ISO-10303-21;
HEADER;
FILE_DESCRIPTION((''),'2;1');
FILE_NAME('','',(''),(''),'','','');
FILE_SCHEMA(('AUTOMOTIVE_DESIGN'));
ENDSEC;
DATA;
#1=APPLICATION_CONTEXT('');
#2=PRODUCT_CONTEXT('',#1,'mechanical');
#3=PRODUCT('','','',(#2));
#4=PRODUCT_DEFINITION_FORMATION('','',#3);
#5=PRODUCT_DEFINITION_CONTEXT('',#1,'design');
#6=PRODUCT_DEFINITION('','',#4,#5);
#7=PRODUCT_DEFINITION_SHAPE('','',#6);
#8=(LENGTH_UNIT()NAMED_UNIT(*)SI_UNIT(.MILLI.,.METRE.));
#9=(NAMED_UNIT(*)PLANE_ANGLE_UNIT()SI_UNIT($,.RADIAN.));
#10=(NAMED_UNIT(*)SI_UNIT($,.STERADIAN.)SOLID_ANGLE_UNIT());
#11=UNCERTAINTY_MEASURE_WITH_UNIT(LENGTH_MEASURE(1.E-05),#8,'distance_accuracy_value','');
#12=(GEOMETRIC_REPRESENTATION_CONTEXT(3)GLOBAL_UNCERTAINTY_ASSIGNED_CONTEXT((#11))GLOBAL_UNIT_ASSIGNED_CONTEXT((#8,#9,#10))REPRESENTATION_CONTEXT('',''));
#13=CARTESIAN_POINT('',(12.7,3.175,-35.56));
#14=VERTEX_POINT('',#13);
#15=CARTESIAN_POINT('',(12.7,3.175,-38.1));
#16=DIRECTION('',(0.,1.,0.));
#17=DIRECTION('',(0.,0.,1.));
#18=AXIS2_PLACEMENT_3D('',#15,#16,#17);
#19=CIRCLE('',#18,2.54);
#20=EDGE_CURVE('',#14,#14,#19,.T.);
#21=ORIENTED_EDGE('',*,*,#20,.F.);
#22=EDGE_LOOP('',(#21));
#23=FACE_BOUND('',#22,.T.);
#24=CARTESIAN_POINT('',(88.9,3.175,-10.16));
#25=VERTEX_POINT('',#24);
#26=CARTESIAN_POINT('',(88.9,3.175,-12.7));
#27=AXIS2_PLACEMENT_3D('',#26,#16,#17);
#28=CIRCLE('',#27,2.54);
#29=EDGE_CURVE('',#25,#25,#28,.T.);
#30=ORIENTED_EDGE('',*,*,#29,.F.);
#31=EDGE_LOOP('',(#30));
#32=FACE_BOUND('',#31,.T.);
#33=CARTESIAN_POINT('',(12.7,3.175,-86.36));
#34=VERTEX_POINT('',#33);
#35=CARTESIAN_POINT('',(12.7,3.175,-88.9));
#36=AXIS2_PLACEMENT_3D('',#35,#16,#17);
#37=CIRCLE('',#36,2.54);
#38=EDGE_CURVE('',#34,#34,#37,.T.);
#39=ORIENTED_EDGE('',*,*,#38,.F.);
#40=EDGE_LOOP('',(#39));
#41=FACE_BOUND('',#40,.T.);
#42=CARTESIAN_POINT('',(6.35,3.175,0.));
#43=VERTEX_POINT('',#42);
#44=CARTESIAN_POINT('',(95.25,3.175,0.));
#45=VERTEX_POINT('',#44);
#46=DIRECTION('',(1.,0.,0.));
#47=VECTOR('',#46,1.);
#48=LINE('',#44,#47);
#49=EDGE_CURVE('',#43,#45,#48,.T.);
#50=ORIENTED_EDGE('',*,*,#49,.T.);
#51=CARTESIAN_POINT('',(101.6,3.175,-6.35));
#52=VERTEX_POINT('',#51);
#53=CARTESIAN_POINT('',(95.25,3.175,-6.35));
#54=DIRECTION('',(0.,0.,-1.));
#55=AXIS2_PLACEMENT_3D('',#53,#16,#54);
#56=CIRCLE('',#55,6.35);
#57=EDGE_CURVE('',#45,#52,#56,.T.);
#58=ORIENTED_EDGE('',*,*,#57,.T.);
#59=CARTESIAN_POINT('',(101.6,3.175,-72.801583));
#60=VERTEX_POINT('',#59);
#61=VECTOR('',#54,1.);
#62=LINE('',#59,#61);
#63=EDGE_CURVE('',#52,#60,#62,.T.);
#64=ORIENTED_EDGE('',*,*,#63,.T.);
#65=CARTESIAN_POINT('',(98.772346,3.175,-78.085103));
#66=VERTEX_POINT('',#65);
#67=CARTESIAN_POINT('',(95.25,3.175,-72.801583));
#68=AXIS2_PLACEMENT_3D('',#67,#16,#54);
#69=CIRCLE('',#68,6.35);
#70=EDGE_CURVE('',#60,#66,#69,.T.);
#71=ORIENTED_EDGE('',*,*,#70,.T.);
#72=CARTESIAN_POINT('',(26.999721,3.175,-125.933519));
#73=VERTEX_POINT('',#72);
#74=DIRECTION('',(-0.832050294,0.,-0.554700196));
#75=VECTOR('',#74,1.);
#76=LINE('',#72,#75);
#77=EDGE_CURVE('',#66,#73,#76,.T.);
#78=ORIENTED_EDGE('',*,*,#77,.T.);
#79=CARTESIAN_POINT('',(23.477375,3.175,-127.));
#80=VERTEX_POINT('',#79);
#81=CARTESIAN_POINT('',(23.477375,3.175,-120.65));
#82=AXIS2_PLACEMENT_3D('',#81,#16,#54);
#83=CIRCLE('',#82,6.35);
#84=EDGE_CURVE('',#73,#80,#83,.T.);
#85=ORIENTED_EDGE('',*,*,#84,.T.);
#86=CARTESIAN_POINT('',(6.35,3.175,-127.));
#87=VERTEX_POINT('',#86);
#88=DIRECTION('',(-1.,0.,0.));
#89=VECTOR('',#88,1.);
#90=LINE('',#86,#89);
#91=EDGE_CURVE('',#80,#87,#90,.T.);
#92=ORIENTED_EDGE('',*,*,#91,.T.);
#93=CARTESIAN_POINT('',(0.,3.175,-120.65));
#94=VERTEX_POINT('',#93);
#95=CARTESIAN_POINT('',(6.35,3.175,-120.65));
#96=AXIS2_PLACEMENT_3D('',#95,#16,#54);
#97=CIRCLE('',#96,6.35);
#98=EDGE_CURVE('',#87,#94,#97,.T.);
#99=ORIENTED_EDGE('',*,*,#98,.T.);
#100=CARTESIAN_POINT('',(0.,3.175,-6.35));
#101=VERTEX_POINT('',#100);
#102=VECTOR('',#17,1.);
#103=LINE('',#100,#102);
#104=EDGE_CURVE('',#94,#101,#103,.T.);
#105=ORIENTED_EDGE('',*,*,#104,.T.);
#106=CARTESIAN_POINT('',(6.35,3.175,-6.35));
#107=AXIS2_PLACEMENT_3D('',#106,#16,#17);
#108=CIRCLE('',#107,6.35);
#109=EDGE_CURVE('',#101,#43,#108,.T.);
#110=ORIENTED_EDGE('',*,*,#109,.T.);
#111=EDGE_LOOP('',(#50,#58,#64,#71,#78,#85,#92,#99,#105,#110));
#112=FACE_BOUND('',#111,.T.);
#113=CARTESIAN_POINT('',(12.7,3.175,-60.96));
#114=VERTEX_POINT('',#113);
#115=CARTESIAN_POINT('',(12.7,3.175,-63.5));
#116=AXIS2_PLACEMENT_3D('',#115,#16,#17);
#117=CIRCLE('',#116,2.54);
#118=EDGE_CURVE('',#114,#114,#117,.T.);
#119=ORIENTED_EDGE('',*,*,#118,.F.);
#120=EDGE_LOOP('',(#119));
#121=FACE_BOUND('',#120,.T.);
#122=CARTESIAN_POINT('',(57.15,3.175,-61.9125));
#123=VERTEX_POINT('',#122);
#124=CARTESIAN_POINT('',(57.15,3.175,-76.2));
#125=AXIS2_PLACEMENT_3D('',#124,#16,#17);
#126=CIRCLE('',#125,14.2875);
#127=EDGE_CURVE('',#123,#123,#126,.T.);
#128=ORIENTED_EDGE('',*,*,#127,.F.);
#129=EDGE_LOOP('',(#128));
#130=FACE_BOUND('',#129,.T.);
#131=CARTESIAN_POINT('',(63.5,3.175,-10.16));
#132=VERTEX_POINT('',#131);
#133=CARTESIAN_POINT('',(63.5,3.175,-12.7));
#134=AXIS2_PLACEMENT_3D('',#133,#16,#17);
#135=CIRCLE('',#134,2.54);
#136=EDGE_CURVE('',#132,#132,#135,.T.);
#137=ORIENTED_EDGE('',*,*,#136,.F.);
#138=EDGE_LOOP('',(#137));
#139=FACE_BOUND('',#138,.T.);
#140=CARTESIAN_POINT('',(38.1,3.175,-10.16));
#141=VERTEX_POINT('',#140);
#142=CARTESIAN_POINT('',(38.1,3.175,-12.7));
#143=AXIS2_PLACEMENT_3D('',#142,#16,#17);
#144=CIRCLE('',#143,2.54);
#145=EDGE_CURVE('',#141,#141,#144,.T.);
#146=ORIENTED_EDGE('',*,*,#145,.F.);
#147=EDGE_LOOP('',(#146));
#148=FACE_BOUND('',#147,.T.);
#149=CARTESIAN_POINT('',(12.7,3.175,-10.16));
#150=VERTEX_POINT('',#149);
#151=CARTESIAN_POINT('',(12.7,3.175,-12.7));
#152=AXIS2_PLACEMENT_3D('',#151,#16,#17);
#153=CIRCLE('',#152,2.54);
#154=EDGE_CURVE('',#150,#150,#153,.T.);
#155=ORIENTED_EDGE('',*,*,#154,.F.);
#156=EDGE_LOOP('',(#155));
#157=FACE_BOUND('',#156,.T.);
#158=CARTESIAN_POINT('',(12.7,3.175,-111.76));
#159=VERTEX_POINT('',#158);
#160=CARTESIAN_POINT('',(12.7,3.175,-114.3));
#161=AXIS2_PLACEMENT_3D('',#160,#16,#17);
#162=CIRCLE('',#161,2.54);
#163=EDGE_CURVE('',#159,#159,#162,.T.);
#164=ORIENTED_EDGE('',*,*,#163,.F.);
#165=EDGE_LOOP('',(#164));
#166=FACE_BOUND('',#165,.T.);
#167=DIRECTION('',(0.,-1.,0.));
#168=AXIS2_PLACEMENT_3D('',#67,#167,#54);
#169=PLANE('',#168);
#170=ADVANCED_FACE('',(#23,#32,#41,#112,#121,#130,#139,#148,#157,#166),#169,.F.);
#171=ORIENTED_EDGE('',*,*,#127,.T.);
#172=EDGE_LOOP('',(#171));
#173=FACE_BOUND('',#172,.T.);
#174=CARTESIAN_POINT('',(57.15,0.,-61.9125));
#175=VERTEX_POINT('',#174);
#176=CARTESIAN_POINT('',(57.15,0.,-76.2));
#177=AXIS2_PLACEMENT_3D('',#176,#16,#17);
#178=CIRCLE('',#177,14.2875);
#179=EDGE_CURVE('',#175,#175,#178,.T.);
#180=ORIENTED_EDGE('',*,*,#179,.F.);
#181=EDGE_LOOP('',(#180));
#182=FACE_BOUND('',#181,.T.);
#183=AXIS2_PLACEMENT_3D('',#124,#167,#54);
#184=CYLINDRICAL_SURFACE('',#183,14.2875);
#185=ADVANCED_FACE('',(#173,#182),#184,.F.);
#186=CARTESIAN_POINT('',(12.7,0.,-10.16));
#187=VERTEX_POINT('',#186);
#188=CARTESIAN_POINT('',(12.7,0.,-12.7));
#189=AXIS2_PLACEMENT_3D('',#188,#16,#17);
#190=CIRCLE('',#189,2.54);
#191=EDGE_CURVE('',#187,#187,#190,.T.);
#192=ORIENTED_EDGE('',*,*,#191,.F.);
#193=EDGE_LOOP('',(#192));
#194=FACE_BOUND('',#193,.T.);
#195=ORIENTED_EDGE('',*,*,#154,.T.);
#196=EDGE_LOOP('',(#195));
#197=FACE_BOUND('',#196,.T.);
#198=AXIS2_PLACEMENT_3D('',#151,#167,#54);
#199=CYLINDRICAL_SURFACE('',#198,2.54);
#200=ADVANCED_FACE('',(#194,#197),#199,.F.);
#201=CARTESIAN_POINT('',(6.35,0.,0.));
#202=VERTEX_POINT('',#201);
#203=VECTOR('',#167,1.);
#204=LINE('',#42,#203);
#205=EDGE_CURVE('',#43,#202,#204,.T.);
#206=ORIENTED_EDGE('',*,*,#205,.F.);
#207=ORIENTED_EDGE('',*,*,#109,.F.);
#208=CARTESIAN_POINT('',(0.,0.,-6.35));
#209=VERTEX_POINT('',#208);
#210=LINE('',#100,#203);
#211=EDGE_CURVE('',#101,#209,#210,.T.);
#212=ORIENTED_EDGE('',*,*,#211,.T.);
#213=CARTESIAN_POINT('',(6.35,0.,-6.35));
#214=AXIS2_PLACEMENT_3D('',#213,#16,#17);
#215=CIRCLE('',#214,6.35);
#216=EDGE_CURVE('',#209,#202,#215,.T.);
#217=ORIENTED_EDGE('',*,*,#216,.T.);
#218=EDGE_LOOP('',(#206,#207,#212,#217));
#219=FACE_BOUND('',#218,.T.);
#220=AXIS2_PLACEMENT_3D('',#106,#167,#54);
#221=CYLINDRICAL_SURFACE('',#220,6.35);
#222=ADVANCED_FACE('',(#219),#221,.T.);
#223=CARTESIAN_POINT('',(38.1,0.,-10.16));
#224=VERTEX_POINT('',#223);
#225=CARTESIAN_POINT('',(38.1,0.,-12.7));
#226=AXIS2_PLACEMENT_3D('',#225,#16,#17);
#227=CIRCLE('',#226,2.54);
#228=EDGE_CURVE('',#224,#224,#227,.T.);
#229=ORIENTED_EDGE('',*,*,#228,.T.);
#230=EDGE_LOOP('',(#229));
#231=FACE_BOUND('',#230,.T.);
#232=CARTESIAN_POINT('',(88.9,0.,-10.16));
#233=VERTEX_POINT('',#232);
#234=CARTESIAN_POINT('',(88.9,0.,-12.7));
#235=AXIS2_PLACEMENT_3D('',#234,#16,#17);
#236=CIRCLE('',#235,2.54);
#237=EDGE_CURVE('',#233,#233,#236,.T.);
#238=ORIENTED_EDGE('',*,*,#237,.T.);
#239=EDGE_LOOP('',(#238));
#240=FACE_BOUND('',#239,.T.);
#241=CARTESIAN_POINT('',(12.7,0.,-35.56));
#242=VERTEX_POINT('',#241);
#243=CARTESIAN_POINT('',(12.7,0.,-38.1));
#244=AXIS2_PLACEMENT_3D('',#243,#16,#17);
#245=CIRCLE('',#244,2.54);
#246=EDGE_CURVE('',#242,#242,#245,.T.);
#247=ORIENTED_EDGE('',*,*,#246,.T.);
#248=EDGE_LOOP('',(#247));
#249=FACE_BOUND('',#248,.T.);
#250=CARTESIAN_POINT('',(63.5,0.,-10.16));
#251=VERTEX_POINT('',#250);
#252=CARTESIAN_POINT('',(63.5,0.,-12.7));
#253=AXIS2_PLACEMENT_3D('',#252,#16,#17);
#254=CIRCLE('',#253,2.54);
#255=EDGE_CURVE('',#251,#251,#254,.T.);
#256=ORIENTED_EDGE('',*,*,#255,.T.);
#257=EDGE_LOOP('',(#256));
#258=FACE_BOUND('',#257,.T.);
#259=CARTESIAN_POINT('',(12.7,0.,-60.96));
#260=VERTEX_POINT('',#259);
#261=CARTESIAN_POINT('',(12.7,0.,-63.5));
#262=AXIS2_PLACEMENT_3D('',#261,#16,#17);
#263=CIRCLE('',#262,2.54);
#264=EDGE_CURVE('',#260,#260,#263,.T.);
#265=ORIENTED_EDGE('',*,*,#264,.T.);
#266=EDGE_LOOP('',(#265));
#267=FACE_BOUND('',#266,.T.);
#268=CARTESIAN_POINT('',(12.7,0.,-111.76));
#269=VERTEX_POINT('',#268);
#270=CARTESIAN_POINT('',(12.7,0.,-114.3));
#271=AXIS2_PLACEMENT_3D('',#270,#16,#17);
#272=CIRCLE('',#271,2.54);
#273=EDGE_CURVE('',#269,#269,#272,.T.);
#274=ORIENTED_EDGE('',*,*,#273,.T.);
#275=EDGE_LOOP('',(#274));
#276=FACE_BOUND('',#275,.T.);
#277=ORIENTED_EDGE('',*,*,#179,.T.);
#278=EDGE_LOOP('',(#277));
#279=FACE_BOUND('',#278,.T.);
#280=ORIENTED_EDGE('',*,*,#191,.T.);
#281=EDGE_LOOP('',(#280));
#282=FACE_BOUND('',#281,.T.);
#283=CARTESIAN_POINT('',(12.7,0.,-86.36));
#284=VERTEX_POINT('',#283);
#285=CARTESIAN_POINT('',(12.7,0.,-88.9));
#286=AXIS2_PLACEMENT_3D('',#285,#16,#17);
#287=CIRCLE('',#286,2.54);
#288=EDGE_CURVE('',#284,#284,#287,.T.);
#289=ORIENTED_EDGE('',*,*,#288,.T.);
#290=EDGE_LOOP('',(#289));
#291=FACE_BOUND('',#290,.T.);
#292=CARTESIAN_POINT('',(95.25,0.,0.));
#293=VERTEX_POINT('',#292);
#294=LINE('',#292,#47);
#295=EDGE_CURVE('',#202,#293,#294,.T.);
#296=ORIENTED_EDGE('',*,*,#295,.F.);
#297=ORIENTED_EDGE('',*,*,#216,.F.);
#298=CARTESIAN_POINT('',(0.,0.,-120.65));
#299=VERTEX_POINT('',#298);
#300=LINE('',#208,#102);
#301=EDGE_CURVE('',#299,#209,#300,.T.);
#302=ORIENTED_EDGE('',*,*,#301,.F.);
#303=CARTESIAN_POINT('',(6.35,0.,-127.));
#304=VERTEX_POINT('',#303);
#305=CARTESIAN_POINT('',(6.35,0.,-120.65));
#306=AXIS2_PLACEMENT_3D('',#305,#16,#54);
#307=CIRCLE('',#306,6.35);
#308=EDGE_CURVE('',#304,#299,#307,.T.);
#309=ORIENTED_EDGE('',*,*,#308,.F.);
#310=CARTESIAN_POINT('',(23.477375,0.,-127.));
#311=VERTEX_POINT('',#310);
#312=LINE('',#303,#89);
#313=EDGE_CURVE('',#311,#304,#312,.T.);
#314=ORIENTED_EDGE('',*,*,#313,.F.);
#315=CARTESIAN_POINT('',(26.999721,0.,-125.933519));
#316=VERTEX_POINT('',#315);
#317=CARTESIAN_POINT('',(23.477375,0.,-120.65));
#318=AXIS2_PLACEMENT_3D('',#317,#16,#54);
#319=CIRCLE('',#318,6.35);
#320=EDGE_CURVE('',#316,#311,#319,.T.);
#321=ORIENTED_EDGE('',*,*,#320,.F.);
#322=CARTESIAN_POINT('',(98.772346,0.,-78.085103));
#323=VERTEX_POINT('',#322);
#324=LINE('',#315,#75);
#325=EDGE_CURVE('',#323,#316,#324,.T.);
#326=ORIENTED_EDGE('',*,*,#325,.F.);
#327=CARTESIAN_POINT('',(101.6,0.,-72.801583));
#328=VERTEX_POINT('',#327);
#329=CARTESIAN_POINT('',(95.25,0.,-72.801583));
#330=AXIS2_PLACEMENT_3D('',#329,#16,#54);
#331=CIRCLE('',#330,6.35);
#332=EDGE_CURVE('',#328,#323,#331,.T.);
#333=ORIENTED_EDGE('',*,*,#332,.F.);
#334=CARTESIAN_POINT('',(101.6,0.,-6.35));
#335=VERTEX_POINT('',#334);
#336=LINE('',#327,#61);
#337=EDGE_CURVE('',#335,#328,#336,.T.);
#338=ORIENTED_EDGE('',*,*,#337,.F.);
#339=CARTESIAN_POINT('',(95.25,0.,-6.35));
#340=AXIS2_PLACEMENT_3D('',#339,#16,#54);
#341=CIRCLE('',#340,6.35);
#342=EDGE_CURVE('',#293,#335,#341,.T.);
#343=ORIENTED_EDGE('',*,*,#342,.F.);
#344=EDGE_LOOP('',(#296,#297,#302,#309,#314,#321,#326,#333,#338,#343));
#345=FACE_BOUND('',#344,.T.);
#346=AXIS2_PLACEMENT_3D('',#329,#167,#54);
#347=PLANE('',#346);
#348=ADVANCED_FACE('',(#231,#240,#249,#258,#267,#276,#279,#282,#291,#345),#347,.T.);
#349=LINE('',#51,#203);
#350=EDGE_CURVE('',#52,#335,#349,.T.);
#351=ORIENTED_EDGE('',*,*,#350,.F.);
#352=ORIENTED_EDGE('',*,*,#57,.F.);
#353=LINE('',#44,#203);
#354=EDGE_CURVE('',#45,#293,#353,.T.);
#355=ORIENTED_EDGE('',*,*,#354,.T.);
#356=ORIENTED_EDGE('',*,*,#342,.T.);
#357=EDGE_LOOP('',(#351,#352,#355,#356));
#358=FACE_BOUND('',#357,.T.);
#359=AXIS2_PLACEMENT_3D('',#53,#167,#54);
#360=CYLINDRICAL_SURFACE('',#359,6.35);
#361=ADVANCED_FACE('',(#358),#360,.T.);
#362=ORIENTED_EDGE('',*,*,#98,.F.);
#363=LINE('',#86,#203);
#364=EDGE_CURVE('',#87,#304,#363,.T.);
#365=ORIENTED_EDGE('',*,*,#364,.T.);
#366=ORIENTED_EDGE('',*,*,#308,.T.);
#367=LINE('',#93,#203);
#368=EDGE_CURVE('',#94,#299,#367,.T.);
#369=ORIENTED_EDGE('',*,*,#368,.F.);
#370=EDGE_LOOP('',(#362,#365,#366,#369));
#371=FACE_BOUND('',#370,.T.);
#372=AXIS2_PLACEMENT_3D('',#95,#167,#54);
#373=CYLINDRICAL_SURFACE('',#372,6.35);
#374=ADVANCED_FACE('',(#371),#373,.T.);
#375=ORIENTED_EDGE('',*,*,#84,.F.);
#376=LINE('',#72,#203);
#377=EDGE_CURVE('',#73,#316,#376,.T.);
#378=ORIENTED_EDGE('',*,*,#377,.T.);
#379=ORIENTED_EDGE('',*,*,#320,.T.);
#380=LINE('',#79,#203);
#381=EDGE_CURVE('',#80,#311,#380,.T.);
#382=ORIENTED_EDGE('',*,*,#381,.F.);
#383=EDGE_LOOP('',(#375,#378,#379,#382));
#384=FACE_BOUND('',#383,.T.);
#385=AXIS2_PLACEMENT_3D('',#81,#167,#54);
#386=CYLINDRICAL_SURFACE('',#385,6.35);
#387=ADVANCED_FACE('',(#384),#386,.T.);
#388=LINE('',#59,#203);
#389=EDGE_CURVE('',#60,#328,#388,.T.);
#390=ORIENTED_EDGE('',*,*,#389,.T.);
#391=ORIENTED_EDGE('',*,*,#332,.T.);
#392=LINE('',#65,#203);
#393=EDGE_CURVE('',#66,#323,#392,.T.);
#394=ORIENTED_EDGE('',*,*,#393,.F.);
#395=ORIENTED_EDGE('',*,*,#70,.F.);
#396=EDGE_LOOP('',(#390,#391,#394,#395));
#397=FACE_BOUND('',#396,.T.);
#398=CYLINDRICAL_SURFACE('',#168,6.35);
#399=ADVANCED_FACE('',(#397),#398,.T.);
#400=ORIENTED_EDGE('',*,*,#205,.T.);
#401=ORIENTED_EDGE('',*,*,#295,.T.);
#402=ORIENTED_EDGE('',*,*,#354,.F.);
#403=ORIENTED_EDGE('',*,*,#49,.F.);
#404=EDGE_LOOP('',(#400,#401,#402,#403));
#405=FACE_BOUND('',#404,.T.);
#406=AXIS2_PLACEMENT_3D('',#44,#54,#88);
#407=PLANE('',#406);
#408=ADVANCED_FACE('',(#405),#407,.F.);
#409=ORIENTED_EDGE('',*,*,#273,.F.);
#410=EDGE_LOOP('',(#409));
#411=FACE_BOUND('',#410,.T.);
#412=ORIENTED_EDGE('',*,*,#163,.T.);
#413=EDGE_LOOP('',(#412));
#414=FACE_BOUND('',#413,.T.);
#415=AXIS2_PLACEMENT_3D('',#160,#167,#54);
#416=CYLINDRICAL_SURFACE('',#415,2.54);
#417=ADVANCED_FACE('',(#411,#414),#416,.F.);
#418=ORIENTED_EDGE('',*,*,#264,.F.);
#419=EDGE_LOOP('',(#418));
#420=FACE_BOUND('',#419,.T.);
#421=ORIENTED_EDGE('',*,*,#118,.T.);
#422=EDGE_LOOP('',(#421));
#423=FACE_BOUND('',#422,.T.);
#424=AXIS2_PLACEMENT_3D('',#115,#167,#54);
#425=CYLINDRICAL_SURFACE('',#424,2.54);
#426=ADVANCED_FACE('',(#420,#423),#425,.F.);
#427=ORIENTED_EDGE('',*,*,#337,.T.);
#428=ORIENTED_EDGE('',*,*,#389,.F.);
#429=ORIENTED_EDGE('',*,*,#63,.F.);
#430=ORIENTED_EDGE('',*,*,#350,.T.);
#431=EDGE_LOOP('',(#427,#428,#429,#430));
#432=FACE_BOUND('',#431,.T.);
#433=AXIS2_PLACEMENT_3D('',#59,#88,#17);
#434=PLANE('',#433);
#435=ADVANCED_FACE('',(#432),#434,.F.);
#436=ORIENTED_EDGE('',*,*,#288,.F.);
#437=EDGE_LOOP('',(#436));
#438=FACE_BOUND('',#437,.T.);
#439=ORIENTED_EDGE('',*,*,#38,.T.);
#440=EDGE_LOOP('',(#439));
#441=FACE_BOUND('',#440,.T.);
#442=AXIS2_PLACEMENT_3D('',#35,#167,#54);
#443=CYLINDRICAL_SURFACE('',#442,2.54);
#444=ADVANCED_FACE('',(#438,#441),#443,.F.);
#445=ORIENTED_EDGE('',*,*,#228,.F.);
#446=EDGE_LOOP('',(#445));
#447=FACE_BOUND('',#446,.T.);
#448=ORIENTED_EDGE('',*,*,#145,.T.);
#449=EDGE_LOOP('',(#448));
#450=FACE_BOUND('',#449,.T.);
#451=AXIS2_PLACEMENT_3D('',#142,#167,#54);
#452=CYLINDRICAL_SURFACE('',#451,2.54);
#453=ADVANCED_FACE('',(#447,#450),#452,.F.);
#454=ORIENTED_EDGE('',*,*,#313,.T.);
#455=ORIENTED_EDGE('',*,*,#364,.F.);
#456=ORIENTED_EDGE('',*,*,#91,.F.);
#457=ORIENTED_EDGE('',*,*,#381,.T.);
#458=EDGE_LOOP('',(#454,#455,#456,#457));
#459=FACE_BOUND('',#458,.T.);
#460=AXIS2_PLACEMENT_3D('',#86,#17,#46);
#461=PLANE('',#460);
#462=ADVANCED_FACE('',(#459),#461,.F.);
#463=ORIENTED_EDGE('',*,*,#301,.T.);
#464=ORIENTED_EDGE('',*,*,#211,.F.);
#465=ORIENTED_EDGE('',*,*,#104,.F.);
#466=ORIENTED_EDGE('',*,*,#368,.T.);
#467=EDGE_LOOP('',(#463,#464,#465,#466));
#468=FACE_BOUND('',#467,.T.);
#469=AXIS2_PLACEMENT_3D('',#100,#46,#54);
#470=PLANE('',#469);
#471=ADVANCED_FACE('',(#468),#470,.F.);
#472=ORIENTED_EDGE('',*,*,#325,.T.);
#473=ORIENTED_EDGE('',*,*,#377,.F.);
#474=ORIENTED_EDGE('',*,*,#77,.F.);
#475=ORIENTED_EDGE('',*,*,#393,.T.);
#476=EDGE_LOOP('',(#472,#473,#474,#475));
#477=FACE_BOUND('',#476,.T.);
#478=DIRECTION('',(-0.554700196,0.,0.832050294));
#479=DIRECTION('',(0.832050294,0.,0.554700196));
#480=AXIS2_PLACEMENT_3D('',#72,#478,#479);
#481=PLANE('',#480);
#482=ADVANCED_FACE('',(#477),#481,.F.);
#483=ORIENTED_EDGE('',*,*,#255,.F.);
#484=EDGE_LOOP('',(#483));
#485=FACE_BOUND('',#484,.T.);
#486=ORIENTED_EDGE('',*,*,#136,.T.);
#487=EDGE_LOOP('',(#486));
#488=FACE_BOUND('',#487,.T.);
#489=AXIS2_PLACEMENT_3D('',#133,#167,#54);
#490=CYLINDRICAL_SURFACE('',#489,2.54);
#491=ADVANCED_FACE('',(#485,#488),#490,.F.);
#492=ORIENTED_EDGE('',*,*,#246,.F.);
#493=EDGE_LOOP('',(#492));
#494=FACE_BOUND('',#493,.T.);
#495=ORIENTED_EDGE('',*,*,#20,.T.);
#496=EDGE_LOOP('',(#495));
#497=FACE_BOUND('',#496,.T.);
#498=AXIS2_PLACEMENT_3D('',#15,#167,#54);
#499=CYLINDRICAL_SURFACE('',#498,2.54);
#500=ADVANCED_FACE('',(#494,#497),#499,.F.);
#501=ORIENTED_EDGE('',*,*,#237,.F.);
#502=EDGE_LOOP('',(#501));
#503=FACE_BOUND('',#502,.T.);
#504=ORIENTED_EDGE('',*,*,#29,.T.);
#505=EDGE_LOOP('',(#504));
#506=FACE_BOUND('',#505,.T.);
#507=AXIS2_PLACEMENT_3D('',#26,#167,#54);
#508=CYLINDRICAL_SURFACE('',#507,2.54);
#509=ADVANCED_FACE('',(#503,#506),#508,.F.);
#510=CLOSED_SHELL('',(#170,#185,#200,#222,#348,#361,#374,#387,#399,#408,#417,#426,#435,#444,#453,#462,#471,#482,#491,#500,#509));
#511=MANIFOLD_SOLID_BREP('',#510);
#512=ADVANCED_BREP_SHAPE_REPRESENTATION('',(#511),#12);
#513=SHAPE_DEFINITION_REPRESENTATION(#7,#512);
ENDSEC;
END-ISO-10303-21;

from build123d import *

# Parameters (mm, degrees)
SKETCH1_R           = 2.54
SKETCH1_R_2         = 14.2875
BOSS_EXTRUDE1_DEPTH = 3.175


with BuildPart() as part:
    # Sketch1 → Boss-Extrude1 (new body)
    with BuildSketch(Plane(origin=(0, 0, 0), x_dir=(1, 0, 0), z_dir=(0, 1, 0))):
        with BuildLine():
            Line((0, 6.35), (0, 120.65))
            ThreePointArc((0, 120.65), (1.859871939, 125.140128061), (6.35, 127))
            Line((6.35, 127), (23.4773747, 127))
            ThreePointArc((23.4773747, 127), (25.317504045, 126.727534368), (26.999720946, 125.933519369))
            Line((26.999720946, 125.933519369), (98.772346246, 78.085102503))
            ThreePointArc((98.772346246, 78.085102503), (100.848633702, 75.797880961), (101.6, 72.801583134))
            Line((101.6, 72.801583134), (101.6, 6.35))
            ThreePointArc((101.6, 6.35), (99.740128061, 1.859871939), (95.25, 0))
            Line((95.25, 0), (6.35, 0))
            ThreePointArc((6.35, 0), (1.859871939, 1.859871939), (0, 6.35))
        make_face()
        with Locations(Location((88.9, 12.7, 0), (0, 0, 270))):
            Circle(SKETCH1_R, mode=Mode.SUBTRACT)
        with Locations(Location((63.5, 12.7, 0), (0, 0, 270))):
            Circle(SKETCH1_R, mode=Mode.SUBTRACT)
        with Locations(Location((38.1, 12.7, 0), (0, 0, 270))):
            Circle(SKETCH1_R, mode=Mode.SUBTRACT)
        with Locations(Location((12.7, 12.7, 0), (0, 0, 270))):
            Circle(SKETCH1_R, mode=Mode.SUBTRACT)
        with Locations(Location((12.7, 38.1, 0), (0, 0, 270))):
            Circle(SKETCH1_R, mode=Mode.SUBTRACT)
        with Locations(Location((12.7, 63.5, 0), (0, 0, 270))):
            Circle(SKETCH1_R, mode=Mode.SUBTRACT)
        with Locations(Location((12.7, 88.9, 0), (0, 0, 270))):
            Circle(SKETCH1_R, mode=Mode.SUBTRACT)
        with Locations(Location((12.7, 114.3, 0), (0, 0, 270))):
            Circle(SKETCH1_R, mode=Mode.SUBTRACT)
        with Locations(Location((57.15, 76.2, 0), (0, 0, 270))):
            Circle(SKETCH1_R_2, mode=Mode.SUBTRACT)
    extrude(amount=BOSS_EXTRUDE1_DEPTH)


solid = part.part
